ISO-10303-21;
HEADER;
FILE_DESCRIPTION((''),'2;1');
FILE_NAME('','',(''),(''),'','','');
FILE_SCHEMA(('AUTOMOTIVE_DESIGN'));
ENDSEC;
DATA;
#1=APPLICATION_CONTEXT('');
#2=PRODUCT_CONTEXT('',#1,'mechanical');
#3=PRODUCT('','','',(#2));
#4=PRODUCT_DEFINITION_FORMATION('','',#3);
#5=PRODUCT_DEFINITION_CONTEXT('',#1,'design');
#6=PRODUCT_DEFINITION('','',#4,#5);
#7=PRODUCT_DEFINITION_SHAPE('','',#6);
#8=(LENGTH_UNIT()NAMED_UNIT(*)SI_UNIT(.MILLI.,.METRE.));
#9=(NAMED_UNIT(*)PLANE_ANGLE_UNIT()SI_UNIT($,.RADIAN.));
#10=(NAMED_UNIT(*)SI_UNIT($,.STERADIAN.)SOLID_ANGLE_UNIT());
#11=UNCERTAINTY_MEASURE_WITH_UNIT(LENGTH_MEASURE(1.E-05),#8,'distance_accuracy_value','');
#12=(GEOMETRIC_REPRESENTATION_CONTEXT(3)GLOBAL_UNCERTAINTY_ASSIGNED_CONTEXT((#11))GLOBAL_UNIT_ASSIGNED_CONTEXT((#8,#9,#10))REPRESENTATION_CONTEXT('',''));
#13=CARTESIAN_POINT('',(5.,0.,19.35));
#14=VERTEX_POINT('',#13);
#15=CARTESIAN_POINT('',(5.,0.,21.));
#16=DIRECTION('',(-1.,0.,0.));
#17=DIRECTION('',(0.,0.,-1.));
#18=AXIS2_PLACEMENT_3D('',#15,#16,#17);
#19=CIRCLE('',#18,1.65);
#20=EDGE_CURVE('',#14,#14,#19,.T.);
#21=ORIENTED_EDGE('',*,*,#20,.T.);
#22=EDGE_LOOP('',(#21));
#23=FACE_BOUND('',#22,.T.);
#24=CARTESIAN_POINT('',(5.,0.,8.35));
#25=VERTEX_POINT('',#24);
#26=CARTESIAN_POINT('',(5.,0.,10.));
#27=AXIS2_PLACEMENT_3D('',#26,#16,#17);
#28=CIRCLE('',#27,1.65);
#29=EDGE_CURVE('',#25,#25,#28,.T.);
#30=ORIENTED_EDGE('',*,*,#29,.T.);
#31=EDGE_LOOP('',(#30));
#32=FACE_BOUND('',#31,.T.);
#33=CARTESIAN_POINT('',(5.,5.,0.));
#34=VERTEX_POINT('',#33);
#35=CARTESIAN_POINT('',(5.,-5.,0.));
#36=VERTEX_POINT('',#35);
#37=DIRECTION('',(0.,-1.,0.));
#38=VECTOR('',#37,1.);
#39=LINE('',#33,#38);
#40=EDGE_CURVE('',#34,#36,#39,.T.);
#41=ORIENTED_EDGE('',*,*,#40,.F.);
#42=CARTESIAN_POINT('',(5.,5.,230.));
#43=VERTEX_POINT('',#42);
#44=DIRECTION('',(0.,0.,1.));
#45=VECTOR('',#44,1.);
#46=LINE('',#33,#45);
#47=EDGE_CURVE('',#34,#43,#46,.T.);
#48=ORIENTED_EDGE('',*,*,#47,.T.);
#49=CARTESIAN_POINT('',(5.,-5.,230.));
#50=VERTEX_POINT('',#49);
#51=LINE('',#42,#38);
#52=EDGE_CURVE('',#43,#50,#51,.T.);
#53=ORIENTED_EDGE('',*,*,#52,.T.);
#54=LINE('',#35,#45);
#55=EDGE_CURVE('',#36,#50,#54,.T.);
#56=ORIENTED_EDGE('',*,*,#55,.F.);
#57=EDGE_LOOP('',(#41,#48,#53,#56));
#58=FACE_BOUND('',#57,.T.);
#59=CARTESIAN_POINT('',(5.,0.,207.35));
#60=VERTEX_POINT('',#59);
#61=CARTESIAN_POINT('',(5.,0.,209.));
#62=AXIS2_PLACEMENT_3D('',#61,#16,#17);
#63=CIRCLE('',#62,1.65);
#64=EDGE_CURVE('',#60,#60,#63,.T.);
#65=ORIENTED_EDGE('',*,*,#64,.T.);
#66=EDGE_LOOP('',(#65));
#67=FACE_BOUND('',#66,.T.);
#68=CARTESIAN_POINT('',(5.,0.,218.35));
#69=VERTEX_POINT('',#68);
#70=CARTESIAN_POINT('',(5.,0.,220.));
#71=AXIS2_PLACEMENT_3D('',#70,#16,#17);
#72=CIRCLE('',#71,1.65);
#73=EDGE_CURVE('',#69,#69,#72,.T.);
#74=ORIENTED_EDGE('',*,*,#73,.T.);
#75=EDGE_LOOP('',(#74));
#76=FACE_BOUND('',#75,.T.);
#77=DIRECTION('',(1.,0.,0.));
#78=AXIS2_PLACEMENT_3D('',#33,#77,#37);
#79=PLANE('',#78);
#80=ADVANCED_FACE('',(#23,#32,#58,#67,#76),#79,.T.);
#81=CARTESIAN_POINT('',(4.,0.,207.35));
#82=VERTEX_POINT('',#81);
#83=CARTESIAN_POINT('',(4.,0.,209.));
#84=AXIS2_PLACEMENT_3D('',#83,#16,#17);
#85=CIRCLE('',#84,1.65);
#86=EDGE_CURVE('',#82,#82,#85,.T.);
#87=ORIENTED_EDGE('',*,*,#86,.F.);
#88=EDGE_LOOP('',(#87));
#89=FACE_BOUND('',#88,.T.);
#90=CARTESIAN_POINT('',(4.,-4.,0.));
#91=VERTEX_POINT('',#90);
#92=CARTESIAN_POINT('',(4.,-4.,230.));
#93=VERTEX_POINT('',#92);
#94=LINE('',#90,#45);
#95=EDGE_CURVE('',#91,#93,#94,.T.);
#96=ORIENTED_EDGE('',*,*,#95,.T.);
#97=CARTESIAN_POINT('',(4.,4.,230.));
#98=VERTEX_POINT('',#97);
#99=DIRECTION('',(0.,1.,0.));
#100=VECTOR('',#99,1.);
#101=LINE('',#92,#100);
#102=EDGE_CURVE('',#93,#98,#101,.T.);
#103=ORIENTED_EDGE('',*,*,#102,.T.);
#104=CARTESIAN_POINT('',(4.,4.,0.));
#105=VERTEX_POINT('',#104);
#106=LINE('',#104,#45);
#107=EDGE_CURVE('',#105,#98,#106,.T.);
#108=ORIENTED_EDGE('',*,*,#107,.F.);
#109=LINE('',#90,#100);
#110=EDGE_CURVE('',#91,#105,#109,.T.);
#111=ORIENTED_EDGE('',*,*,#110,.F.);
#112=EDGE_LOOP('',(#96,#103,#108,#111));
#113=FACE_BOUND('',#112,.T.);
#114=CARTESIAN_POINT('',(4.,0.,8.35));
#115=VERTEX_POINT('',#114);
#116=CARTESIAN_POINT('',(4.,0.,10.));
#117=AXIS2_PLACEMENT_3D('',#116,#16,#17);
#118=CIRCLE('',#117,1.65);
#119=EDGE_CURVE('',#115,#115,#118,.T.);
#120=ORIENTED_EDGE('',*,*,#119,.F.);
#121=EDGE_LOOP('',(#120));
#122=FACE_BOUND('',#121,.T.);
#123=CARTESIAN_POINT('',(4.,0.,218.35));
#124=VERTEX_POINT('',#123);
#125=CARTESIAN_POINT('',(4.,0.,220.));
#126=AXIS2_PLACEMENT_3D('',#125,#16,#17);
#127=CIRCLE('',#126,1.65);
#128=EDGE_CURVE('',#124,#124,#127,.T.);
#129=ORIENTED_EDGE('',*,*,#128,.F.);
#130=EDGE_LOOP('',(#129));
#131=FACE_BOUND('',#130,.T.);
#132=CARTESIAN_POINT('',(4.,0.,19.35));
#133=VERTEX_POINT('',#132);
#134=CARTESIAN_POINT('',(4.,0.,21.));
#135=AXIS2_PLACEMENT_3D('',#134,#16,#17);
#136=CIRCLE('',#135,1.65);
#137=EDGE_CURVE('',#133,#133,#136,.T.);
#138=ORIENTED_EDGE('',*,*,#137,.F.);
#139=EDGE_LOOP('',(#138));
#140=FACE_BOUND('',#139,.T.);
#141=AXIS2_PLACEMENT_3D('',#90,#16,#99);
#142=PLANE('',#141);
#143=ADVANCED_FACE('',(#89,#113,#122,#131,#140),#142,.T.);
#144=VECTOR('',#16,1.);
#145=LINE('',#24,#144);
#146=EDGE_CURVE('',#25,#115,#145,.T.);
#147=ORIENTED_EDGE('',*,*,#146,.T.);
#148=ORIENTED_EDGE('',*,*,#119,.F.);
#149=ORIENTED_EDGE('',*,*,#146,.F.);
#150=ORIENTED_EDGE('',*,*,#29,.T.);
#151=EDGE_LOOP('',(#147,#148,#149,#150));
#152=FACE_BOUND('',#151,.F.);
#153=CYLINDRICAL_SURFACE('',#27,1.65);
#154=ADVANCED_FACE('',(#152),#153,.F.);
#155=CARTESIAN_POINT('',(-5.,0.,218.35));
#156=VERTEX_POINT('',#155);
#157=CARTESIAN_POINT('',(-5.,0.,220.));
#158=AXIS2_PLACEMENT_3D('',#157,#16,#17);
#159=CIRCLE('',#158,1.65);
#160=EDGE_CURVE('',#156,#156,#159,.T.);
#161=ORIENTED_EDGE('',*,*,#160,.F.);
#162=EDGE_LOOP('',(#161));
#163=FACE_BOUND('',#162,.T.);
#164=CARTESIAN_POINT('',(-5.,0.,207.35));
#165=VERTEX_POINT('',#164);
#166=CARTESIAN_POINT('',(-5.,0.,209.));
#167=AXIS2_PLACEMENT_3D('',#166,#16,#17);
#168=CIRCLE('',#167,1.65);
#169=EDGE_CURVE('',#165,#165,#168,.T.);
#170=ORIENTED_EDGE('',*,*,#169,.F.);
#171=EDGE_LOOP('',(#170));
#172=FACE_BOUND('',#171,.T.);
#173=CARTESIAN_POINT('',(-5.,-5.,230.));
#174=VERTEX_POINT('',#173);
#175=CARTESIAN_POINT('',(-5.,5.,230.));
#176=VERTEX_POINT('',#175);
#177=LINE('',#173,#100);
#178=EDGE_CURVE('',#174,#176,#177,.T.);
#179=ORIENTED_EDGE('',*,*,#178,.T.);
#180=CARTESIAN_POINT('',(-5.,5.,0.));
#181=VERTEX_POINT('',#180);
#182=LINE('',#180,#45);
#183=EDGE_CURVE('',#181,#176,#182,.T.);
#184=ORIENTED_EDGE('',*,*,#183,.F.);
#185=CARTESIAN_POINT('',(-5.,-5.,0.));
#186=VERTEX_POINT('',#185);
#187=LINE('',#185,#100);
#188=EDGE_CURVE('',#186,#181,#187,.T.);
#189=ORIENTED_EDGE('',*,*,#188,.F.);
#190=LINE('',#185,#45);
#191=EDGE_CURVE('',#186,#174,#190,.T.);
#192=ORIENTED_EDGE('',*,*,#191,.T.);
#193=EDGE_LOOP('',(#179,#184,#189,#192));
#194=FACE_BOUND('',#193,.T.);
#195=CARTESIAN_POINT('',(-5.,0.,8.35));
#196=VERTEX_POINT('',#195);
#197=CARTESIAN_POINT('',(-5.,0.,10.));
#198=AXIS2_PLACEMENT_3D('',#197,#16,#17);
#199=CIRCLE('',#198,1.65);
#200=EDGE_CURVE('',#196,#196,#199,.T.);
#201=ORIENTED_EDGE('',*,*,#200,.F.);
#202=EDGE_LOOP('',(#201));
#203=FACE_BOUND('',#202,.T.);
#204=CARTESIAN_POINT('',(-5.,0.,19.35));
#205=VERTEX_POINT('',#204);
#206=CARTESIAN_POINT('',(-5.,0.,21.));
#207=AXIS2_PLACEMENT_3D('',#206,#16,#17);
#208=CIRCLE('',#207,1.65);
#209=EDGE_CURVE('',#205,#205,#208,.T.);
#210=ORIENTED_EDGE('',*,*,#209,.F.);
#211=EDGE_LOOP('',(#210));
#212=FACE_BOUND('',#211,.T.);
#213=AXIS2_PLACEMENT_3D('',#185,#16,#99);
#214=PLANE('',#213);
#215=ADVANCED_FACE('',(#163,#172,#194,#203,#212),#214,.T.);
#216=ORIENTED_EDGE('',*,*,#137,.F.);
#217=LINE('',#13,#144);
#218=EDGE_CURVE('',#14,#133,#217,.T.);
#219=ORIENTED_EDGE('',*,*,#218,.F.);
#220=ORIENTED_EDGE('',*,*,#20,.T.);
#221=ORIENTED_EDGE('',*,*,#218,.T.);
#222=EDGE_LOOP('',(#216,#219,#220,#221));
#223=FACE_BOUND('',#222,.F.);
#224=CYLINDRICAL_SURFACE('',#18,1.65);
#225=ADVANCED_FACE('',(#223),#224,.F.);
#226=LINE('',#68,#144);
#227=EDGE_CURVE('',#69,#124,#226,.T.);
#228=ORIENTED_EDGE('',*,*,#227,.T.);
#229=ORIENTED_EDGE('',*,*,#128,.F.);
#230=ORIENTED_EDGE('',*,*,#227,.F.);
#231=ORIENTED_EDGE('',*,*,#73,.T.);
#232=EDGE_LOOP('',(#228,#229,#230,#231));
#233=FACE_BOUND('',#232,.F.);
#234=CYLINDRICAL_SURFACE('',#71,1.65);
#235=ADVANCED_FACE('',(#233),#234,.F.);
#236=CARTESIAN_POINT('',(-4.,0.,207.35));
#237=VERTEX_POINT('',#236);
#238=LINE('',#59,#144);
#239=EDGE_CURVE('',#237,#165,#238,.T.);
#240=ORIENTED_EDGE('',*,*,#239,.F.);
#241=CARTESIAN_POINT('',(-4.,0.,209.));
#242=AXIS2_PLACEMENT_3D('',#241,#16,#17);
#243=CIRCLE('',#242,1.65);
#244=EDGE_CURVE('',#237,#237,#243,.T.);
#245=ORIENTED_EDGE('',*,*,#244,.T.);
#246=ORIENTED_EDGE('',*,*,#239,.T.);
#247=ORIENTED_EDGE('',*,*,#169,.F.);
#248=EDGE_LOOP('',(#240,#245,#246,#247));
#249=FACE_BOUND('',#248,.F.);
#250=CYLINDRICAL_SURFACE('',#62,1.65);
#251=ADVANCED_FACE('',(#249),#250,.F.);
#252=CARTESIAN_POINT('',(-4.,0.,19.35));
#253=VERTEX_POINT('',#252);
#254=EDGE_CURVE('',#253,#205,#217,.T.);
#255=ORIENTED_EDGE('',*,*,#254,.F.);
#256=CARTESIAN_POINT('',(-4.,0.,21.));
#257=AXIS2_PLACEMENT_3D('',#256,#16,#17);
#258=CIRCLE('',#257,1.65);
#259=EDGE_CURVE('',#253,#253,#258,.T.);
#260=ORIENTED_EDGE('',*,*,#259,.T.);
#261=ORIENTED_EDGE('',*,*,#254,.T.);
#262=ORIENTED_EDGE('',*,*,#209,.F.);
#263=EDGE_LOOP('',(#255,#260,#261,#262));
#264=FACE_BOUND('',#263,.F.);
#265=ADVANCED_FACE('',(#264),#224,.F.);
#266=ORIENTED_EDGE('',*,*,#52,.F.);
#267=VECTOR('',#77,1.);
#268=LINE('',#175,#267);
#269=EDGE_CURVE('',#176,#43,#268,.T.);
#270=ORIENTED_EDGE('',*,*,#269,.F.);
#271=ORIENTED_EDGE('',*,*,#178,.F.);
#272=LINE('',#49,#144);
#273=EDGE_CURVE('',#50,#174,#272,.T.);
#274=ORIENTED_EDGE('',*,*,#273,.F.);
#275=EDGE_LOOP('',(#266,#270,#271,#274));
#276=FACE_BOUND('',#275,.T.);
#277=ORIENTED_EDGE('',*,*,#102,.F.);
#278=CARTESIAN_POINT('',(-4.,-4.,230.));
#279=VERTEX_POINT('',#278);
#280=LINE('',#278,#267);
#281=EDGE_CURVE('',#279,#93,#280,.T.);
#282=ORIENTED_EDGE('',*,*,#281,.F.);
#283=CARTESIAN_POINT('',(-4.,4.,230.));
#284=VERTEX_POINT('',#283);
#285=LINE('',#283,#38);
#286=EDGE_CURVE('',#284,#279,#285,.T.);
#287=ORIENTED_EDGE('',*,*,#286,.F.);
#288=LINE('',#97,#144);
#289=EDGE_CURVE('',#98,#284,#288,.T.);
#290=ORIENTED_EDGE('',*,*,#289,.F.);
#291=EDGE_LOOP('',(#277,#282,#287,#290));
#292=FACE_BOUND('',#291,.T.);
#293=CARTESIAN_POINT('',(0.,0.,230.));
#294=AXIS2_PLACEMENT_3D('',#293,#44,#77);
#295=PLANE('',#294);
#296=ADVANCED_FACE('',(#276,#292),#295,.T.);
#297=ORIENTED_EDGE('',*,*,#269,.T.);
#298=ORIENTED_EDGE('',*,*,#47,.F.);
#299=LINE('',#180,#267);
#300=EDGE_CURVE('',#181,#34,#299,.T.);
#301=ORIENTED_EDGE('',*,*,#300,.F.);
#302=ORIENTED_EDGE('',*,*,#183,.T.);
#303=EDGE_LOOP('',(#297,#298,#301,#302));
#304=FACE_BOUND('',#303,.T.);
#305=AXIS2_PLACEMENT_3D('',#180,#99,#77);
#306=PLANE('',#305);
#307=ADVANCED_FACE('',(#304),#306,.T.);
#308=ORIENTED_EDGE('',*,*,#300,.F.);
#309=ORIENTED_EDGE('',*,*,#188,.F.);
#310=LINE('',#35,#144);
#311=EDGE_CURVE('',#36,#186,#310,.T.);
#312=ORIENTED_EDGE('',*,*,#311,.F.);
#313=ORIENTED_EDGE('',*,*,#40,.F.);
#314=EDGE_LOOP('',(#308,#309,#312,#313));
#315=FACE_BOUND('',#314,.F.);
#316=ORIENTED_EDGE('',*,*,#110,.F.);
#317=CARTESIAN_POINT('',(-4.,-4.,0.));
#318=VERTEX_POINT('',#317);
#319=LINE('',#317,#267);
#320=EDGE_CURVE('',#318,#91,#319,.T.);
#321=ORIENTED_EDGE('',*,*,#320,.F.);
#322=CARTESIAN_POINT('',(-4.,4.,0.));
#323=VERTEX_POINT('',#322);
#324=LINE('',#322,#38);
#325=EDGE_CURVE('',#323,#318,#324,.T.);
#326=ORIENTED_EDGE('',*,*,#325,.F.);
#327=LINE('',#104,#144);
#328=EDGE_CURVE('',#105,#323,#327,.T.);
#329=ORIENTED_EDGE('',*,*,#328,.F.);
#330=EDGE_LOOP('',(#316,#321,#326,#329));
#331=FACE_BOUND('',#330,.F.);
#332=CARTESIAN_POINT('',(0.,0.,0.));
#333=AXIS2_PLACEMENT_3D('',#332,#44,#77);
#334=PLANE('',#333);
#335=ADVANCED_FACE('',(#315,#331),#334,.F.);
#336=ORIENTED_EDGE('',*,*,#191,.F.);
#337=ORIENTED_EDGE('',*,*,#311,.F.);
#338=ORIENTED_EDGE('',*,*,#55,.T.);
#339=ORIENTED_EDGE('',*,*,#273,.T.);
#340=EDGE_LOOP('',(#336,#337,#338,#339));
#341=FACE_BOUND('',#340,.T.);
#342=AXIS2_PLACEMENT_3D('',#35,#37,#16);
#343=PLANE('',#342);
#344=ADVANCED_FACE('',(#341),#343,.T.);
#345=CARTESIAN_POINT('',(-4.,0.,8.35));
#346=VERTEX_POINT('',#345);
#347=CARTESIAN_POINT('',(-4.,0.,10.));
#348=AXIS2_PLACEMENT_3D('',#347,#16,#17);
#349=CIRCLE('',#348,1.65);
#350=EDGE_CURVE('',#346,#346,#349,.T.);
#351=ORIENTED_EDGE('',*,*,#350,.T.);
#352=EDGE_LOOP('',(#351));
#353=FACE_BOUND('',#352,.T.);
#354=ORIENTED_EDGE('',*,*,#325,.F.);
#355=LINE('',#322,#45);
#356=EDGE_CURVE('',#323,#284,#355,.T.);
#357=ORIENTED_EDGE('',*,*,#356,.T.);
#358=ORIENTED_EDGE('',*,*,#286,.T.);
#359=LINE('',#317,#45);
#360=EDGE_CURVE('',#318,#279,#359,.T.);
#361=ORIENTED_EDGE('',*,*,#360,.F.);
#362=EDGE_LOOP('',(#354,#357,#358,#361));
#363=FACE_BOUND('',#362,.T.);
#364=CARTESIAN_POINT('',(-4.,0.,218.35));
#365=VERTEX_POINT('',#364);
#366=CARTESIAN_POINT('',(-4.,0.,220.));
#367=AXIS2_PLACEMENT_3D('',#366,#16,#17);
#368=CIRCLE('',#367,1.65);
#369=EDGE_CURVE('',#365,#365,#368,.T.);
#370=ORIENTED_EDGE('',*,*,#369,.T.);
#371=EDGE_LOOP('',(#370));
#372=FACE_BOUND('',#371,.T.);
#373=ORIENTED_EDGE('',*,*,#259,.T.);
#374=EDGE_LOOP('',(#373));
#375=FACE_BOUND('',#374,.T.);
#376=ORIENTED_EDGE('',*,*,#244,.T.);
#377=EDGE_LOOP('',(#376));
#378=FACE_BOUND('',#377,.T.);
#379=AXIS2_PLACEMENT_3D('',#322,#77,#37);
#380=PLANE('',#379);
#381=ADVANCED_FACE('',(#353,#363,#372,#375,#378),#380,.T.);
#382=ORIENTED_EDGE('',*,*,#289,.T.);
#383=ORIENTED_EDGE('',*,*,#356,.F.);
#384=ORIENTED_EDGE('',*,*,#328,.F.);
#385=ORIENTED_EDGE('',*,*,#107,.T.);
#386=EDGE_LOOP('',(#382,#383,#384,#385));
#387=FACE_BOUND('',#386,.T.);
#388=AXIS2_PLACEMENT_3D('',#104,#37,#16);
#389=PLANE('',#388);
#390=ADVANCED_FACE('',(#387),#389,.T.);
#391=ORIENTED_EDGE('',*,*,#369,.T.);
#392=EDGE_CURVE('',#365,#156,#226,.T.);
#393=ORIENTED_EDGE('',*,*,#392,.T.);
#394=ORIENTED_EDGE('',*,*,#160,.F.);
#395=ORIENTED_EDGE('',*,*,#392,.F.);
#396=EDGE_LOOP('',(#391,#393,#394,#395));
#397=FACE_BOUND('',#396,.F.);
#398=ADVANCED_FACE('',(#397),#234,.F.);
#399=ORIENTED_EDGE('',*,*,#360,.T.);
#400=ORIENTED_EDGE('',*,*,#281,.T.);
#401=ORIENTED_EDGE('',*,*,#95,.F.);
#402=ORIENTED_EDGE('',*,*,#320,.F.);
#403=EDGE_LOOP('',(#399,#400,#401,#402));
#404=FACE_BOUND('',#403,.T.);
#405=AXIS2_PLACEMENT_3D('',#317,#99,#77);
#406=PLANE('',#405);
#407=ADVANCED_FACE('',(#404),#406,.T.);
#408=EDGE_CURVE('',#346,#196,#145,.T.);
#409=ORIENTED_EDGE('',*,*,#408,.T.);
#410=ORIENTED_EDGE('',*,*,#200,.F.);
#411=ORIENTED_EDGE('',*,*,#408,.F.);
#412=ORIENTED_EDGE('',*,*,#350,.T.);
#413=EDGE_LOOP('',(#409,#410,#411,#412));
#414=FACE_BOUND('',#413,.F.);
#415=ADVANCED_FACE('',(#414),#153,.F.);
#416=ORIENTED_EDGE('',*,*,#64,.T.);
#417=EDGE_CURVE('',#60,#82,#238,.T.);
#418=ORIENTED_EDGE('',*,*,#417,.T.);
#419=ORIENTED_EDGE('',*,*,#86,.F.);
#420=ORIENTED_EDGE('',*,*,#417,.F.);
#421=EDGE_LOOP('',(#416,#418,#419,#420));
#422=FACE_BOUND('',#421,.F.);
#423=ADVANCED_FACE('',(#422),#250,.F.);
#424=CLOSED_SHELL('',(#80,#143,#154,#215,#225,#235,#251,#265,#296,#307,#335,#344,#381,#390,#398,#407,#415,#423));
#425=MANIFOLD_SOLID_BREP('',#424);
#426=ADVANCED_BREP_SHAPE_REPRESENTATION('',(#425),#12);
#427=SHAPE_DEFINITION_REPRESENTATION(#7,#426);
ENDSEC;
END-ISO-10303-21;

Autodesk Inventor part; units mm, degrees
ref_plane "YZ Plane" through (0, 0, 0) normal (1, 0, 0) x (0, 1, 0)
ref_plane "XZ Plane" through (0, 0, 0) normal (0, 1, 0) x (-1, 0, 0)
ref_plane "XY Plane" through (0, 0, 0) normal (0, 0, 1) x (1, 0, 0)
sketch "スケッチ1" plane through (0, 0, 0) normal (0, 0, 1) x (1, 0, 0)
  line L0 (5, -5) -> (-5, -5)
  line L1 (-5, -5) -> (-5, 5)
  line L2 (-5, 5) -> (5, 5)
  line L3 (5, 5) -> (5, -5)
  line L4 (5, -5) -> (-5, 5) construction
  line L5 (-5, -5) -> (5, 5) construction
  line L6 (4, 4) -> (-4, 4)
  line L7 (-4, 4) -> (-4, -4)
  line L8 (-4, -4) -> (4, -4)
  line L9 (4, -4) -> (4, 4)
  point P0 (0, 0)
  dimension "d0" = 10
  dimension "d1" = 10
  dimension "d2" = 1
extrude "押し出し1" add sketch "スケッチ1" along normal blind 230
sketch "スケッチ2" plane through (5, -5, 0) normal (1, 0, 0) x (0, 0, -1)
  line L0 (0, 0) -> (0, 10) projected
  line L1 (0, 10) -> (-230, 10) projected
  line L2 (-230, 0) -> (-230, 10) projected
  line L3 (0, 0) -> (-230, 0) projected
  line L4 (-230, 5) -> (0, 5)
  point P0 (-220, 5)
  point P1 (-10, 5)
  point P2 (-209, 5)
  point P3 (-21, 5)
  point P4 (-115, 5)
  dimension "d5" = 210
  dimension "d6" = 10
  dimension "d14" = 188
  dimension "d15" = 94
hole "穴1" at (5, 0, 220) at (5, 0, 10) at (5, 0, 209) at (5, 0, 21) direction (-1, 0, 0) diameter 3.3 end through all
equation "\"d15\" = 0.5 * d14"
properties part number "kaku_1010_230"
